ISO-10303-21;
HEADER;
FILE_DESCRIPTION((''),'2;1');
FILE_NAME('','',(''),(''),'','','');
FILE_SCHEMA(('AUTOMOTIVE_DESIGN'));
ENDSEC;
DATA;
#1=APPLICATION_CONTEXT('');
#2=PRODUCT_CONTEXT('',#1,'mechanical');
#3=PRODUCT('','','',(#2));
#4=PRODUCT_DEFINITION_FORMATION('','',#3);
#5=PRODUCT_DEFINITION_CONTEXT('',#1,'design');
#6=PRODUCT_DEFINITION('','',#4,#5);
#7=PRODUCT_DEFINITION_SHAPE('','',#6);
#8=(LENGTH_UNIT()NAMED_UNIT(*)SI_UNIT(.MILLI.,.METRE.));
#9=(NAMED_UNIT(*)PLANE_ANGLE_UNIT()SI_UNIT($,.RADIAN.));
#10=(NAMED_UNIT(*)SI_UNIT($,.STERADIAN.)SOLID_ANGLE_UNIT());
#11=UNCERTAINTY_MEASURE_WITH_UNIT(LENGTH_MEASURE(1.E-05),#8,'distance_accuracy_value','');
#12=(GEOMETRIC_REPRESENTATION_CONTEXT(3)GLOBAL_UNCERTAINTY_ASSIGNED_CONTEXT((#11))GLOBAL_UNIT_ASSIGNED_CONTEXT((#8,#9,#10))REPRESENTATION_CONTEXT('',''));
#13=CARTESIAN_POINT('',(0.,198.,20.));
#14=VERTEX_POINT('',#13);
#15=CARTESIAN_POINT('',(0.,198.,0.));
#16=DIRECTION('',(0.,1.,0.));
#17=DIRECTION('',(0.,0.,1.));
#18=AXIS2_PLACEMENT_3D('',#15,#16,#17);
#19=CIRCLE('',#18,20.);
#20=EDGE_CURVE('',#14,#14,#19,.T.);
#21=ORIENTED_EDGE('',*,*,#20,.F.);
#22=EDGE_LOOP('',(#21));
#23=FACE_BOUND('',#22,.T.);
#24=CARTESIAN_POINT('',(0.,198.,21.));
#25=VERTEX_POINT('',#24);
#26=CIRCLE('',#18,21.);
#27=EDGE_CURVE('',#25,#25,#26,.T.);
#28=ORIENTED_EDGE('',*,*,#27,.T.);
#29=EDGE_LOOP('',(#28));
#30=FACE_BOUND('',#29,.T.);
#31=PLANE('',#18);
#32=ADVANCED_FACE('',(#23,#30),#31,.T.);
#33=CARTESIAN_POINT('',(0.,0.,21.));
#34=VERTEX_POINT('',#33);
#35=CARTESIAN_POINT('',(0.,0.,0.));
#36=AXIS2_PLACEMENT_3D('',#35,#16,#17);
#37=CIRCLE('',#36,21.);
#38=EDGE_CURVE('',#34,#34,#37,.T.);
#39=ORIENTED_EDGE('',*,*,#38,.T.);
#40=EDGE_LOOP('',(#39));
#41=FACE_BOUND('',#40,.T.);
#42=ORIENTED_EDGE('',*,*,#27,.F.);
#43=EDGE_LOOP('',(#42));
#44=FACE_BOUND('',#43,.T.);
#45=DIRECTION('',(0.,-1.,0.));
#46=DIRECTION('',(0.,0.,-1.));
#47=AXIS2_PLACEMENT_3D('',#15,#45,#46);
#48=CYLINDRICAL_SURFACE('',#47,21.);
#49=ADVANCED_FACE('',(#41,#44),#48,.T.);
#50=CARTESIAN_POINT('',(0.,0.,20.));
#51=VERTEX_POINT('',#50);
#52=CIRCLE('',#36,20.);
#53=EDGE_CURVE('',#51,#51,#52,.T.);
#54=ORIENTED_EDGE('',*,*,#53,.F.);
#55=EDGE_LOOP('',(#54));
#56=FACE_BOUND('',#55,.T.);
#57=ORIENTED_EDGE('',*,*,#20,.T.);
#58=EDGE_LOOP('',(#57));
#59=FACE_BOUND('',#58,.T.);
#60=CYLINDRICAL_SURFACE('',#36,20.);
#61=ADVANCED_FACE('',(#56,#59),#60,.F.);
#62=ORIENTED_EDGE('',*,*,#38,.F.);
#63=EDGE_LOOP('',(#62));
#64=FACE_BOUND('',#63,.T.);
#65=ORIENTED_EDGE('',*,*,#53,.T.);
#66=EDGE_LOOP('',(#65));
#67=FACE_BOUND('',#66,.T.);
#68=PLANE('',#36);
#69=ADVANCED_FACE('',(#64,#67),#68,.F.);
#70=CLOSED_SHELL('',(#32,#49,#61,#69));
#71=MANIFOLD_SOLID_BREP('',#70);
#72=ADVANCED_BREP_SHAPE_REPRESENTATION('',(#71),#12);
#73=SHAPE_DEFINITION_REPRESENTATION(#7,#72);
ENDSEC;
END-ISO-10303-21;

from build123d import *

# Parameters (mm, degrees)
SKETCH1_R           = 21
BOSS_EXTRUDE1_DEPTH = 198
SKETCH2_R           = 20
CUT_EXTRUDE1_DEPTH  = 198


with BuildPart() as part:
    # Sketch1 → Boss-Extrude1 (new body)
    with BuildSketch(Plane(origin=(0, 0, 0), x_dir=(1, 0, 0), z_dir=(0, 1, 0))):
        with Locations(Location((0, 0, 0), (0, 0, 270))):
            Circle(SKETCH1_R)
    extrude(amount=BOSS_EXTRUDE1_DEPTH)

    # Sketch2 → Cut-Extrude1 (cut)
    with BuildSketch(Plane(origin=(0, 198, 0), x_dir=(1, 0, 0), z_dir=(0, 1, 0))):
        with Locations(Location((0, 0, 0), (0, 0, 270))):
            Circle(SKETCH2_R)
    extrude(amount=-CUT_EXTRUDE1_DEPTH, mode=Mode.SUBTRACT)


solid = part.part
